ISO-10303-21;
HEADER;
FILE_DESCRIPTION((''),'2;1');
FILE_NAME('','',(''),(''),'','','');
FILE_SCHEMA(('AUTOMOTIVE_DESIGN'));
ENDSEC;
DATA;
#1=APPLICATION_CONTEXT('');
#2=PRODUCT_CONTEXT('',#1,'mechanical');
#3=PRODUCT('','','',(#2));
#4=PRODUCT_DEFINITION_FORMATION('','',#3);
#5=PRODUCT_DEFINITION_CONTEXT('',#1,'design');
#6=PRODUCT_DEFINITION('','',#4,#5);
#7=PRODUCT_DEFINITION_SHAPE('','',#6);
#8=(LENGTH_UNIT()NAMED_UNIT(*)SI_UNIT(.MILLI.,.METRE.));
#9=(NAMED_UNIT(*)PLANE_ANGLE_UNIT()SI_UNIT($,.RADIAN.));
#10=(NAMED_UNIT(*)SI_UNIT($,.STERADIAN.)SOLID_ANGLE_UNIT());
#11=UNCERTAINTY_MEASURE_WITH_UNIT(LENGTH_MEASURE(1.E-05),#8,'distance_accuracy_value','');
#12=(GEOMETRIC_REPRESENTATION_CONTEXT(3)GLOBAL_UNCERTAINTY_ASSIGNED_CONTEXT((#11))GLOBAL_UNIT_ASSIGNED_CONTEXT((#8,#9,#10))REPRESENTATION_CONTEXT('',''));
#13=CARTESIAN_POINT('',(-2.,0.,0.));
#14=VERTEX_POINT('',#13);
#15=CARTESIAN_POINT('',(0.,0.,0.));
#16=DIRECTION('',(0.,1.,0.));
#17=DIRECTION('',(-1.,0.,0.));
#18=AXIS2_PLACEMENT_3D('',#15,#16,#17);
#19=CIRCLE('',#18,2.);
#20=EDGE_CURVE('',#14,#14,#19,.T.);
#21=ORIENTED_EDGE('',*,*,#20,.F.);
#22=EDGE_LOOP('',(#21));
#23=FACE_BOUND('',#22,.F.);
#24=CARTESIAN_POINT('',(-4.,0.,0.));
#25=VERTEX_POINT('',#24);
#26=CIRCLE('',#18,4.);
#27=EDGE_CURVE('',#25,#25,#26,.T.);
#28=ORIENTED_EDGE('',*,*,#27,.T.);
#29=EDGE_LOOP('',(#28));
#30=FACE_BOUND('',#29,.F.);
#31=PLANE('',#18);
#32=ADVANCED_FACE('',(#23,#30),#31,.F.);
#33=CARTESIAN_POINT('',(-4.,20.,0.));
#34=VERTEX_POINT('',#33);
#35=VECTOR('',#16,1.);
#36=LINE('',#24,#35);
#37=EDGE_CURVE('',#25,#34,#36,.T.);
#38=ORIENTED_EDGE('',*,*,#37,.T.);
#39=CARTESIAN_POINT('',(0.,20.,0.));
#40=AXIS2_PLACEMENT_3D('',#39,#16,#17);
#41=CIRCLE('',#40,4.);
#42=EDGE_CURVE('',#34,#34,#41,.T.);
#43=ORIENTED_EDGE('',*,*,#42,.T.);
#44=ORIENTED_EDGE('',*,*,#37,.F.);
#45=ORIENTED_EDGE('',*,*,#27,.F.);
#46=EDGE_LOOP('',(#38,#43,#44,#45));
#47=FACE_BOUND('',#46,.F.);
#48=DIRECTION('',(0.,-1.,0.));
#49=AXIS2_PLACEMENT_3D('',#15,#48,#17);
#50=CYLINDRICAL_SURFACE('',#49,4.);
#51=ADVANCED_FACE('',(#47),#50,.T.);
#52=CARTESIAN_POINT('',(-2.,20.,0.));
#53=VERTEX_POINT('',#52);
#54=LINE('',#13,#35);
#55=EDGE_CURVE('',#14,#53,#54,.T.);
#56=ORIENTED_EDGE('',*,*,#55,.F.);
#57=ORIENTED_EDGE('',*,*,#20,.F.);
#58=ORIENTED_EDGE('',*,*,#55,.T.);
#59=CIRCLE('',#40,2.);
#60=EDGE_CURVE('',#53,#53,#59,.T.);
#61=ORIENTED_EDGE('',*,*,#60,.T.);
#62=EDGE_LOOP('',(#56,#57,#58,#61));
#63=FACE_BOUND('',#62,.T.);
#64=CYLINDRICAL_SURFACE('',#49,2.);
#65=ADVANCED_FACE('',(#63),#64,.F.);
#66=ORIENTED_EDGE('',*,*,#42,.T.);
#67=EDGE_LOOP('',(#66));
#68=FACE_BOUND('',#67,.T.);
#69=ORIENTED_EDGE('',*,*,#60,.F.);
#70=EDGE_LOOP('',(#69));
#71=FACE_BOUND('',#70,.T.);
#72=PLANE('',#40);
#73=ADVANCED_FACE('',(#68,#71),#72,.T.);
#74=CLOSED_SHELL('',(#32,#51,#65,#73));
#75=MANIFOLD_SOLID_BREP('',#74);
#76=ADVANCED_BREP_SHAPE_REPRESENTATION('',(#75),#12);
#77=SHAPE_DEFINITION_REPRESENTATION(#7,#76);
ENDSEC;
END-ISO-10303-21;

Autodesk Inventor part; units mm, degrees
ref_plane "YZ Plane" through (0, 0, 0) normal (1, 0, 0) x (0, 1, 0)
ref_plane "XZ Plane" through (0, 0, 0) normal (0, 1, 0) x (-1, 0, 0)
ref_plane "XY Plane" through (0, 0, 0) normal (0, 0, 1) x (1, 0, 0)
sketch "Sketch1" plane through (0, 0, 0) normal (0, 1, 0) x (-1, 0, 0)
  circle A0 centre (0, 0) radius 2
  circle A1 centre (0, 0) radius 4
  dimension "d0" = 4
  dimension "d1" = 8
extrude "Extrusion1" add sketch "Sketch1" along normal blind 20
properties part number "ControlPCBtoInfraredPCB-(FusionThread)"
